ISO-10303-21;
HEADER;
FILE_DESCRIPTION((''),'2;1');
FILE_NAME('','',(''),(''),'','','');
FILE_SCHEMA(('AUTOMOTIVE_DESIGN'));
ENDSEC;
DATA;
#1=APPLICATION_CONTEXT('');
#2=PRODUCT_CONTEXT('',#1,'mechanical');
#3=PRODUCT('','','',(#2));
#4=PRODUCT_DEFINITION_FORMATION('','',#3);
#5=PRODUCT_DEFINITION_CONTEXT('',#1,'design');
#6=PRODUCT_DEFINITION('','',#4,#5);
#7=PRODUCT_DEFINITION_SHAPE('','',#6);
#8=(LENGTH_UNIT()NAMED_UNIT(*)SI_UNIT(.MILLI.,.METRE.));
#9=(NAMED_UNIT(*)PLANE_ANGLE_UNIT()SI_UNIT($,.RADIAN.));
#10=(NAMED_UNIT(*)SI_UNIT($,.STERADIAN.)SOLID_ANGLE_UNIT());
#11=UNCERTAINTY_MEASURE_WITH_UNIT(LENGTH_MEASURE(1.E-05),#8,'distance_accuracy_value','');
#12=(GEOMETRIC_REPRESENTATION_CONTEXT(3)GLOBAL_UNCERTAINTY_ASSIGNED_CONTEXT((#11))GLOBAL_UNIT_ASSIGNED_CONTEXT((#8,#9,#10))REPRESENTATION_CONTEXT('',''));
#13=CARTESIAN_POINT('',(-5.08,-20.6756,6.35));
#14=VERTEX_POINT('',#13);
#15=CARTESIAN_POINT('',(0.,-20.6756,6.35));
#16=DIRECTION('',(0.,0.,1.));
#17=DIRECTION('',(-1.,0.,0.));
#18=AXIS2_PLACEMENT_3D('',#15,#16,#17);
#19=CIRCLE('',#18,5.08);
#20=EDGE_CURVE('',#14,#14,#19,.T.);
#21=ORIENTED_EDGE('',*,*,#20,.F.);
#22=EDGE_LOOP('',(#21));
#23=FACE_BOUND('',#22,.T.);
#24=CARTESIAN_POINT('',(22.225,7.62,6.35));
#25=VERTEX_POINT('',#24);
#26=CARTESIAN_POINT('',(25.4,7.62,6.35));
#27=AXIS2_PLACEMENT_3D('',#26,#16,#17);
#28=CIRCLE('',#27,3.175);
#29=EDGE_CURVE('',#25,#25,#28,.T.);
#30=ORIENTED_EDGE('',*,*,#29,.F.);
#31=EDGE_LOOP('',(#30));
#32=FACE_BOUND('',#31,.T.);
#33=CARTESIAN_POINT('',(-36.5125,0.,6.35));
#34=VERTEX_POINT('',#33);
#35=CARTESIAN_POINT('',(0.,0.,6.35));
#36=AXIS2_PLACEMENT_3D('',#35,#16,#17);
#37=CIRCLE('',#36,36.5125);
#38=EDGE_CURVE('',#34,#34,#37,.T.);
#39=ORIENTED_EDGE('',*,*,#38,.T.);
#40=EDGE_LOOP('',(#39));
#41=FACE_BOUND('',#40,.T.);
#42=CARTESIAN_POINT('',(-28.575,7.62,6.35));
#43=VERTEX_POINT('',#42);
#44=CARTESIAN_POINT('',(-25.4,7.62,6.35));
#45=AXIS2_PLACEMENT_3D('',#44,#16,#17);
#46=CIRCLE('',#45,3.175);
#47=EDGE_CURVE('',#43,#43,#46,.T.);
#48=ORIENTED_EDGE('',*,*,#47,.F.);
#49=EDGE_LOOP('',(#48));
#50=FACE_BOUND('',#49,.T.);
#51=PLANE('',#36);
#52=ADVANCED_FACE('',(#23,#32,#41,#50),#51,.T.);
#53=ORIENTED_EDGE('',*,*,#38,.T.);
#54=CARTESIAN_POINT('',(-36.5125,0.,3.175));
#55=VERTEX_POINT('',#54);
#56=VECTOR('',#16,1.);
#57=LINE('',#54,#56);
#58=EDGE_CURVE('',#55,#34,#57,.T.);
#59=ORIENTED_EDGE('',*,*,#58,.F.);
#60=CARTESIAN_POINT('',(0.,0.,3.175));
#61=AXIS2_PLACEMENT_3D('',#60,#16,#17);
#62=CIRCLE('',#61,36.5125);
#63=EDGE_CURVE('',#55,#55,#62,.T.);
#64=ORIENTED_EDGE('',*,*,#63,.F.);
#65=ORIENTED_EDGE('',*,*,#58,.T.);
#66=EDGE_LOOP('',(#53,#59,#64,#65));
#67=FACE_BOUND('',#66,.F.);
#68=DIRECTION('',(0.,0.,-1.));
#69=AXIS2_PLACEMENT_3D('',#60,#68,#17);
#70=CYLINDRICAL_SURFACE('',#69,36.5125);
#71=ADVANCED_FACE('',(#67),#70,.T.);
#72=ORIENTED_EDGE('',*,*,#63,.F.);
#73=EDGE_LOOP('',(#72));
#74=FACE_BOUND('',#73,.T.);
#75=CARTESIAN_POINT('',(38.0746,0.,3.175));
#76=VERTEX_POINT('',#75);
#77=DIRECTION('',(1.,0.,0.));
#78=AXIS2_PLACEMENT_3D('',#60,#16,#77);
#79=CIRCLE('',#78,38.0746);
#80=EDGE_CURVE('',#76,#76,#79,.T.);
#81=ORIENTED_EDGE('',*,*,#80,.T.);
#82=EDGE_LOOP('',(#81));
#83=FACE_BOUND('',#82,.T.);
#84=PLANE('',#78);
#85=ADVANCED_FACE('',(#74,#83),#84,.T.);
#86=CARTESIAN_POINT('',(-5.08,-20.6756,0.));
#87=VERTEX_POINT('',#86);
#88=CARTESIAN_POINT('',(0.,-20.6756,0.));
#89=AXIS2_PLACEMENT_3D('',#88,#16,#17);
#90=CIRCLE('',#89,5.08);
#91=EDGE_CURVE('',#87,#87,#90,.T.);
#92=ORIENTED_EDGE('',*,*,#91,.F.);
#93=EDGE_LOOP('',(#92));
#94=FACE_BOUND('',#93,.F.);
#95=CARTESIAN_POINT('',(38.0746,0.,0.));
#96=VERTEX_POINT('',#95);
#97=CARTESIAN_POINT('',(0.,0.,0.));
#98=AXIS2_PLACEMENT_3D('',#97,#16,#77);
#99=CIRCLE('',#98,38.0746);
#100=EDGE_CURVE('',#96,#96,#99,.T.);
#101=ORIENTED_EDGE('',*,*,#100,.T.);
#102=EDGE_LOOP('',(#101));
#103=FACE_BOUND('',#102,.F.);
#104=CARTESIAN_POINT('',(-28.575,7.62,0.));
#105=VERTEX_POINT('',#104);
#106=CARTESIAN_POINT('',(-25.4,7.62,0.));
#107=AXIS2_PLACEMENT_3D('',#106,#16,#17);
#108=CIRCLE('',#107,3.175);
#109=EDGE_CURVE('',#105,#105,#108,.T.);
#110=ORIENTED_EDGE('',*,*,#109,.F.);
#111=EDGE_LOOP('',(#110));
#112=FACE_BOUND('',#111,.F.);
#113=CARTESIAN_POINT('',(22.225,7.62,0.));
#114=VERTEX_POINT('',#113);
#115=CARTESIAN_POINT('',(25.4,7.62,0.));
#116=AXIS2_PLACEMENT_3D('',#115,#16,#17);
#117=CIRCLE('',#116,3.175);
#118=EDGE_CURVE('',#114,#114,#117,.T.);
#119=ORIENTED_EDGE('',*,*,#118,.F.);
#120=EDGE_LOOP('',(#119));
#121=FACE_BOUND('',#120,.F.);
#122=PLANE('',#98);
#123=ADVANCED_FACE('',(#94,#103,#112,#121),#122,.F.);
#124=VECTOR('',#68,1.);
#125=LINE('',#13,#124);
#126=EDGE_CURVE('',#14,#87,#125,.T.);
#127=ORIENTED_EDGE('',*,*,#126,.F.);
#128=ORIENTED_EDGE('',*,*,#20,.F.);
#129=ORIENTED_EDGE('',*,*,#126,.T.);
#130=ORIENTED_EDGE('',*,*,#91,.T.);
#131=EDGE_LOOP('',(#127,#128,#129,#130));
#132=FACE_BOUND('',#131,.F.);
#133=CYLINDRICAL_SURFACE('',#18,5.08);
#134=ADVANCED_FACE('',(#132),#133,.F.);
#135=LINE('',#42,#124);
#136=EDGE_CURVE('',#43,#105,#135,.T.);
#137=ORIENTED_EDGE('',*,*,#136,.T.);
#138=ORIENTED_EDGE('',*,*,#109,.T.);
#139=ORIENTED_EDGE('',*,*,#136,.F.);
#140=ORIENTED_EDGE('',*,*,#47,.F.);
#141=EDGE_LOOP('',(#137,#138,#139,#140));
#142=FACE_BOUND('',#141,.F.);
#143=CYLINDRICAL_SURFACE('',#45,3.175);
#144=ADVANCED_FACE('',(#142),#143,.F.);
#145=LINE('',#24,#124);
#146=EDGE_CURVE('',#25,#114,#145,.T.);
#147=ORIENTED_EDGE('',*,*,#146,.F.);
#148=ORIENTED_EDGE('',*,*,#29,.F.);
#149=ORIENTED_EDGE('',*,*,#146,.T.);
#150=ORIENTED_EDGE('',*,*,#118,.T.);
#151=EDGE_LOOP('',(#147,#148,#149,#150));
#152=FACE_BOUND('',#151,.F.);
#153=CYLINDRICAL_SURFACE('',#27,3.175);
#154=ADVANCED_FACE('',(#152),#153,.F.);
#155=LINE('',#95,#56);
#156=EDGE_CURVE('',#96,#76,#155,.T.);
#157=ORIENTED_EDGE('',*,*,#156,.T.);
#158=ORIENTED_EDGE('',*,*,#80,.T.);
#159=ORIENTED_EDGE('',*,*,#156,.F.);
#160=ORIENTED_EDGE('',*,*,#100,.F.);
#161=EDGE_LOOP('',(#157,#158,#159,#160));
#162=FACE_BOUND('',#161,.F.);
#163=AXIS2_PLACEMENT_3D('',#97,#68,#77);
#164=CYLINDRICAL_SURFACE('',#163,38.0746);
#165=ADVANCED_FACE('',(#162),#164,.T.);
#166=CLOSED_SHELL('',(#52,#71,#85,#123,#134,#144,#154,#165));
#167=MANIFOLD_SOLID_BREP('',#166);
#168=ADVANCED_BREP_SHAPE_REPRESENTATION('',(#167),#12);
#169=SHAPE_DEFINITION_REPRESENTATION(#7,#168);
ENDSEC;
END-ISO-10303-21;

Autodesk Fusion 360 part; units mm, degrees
sketch "Sketch1" plane through (0, 0, 0) normal (0, 0, 1) x (1, 0, 0)
  circle A0 centre (0, 0) radius 38.0746
  dimension "d1" = 76.1492
extrude "Extrude1" add sketch "Sketch1" along normal blind 3.175
sketch "Sketch2" plane through (0, 0, 3.175) normal (0, 0, 1) x (-1, 0, 0)
  circle A0 centre (0, 0) radius 38.0746
  circle A1 centre (0, 0) radius 36.5125
  dimension "d4" = 73.025
extrude "Extrude2" add sketch "Sketch2" along normal blind 3.175 contours A1
sketch "Sketch3" plane through (0, 0, 6.35) normal (0, 0, 1) x (-1, 0, 0)
  circle A0 centre (0, 0) radius 36.5125
  circle A1 centre (25.4, -7.62) radius 3.175
  circle A2 centre (-25.4, -7.62) radius 3.175
  circle A3 centre (0, 20.6756) radius 5.08
  circle A4 centre (0, 0) radius 38.0746
  dimension "d7" = 50.8
  dimension "d8" = 25.4
  dimension "d9" = 7.62
  dimension "d10" = 6.35
  dimension "d11" = 6.35
  dimension "d12" = 10.16
  dimension "d13" = 20.6756
extrude "Extrude3" cut sketch "Sketch3" against normal blind 6.35 contours A1 | A2 | A3
equation "d2 = ( 0.25 / 2 ) * 1 in"
equation "d5 = ( 0.25 / 2 ) * 1 in"
